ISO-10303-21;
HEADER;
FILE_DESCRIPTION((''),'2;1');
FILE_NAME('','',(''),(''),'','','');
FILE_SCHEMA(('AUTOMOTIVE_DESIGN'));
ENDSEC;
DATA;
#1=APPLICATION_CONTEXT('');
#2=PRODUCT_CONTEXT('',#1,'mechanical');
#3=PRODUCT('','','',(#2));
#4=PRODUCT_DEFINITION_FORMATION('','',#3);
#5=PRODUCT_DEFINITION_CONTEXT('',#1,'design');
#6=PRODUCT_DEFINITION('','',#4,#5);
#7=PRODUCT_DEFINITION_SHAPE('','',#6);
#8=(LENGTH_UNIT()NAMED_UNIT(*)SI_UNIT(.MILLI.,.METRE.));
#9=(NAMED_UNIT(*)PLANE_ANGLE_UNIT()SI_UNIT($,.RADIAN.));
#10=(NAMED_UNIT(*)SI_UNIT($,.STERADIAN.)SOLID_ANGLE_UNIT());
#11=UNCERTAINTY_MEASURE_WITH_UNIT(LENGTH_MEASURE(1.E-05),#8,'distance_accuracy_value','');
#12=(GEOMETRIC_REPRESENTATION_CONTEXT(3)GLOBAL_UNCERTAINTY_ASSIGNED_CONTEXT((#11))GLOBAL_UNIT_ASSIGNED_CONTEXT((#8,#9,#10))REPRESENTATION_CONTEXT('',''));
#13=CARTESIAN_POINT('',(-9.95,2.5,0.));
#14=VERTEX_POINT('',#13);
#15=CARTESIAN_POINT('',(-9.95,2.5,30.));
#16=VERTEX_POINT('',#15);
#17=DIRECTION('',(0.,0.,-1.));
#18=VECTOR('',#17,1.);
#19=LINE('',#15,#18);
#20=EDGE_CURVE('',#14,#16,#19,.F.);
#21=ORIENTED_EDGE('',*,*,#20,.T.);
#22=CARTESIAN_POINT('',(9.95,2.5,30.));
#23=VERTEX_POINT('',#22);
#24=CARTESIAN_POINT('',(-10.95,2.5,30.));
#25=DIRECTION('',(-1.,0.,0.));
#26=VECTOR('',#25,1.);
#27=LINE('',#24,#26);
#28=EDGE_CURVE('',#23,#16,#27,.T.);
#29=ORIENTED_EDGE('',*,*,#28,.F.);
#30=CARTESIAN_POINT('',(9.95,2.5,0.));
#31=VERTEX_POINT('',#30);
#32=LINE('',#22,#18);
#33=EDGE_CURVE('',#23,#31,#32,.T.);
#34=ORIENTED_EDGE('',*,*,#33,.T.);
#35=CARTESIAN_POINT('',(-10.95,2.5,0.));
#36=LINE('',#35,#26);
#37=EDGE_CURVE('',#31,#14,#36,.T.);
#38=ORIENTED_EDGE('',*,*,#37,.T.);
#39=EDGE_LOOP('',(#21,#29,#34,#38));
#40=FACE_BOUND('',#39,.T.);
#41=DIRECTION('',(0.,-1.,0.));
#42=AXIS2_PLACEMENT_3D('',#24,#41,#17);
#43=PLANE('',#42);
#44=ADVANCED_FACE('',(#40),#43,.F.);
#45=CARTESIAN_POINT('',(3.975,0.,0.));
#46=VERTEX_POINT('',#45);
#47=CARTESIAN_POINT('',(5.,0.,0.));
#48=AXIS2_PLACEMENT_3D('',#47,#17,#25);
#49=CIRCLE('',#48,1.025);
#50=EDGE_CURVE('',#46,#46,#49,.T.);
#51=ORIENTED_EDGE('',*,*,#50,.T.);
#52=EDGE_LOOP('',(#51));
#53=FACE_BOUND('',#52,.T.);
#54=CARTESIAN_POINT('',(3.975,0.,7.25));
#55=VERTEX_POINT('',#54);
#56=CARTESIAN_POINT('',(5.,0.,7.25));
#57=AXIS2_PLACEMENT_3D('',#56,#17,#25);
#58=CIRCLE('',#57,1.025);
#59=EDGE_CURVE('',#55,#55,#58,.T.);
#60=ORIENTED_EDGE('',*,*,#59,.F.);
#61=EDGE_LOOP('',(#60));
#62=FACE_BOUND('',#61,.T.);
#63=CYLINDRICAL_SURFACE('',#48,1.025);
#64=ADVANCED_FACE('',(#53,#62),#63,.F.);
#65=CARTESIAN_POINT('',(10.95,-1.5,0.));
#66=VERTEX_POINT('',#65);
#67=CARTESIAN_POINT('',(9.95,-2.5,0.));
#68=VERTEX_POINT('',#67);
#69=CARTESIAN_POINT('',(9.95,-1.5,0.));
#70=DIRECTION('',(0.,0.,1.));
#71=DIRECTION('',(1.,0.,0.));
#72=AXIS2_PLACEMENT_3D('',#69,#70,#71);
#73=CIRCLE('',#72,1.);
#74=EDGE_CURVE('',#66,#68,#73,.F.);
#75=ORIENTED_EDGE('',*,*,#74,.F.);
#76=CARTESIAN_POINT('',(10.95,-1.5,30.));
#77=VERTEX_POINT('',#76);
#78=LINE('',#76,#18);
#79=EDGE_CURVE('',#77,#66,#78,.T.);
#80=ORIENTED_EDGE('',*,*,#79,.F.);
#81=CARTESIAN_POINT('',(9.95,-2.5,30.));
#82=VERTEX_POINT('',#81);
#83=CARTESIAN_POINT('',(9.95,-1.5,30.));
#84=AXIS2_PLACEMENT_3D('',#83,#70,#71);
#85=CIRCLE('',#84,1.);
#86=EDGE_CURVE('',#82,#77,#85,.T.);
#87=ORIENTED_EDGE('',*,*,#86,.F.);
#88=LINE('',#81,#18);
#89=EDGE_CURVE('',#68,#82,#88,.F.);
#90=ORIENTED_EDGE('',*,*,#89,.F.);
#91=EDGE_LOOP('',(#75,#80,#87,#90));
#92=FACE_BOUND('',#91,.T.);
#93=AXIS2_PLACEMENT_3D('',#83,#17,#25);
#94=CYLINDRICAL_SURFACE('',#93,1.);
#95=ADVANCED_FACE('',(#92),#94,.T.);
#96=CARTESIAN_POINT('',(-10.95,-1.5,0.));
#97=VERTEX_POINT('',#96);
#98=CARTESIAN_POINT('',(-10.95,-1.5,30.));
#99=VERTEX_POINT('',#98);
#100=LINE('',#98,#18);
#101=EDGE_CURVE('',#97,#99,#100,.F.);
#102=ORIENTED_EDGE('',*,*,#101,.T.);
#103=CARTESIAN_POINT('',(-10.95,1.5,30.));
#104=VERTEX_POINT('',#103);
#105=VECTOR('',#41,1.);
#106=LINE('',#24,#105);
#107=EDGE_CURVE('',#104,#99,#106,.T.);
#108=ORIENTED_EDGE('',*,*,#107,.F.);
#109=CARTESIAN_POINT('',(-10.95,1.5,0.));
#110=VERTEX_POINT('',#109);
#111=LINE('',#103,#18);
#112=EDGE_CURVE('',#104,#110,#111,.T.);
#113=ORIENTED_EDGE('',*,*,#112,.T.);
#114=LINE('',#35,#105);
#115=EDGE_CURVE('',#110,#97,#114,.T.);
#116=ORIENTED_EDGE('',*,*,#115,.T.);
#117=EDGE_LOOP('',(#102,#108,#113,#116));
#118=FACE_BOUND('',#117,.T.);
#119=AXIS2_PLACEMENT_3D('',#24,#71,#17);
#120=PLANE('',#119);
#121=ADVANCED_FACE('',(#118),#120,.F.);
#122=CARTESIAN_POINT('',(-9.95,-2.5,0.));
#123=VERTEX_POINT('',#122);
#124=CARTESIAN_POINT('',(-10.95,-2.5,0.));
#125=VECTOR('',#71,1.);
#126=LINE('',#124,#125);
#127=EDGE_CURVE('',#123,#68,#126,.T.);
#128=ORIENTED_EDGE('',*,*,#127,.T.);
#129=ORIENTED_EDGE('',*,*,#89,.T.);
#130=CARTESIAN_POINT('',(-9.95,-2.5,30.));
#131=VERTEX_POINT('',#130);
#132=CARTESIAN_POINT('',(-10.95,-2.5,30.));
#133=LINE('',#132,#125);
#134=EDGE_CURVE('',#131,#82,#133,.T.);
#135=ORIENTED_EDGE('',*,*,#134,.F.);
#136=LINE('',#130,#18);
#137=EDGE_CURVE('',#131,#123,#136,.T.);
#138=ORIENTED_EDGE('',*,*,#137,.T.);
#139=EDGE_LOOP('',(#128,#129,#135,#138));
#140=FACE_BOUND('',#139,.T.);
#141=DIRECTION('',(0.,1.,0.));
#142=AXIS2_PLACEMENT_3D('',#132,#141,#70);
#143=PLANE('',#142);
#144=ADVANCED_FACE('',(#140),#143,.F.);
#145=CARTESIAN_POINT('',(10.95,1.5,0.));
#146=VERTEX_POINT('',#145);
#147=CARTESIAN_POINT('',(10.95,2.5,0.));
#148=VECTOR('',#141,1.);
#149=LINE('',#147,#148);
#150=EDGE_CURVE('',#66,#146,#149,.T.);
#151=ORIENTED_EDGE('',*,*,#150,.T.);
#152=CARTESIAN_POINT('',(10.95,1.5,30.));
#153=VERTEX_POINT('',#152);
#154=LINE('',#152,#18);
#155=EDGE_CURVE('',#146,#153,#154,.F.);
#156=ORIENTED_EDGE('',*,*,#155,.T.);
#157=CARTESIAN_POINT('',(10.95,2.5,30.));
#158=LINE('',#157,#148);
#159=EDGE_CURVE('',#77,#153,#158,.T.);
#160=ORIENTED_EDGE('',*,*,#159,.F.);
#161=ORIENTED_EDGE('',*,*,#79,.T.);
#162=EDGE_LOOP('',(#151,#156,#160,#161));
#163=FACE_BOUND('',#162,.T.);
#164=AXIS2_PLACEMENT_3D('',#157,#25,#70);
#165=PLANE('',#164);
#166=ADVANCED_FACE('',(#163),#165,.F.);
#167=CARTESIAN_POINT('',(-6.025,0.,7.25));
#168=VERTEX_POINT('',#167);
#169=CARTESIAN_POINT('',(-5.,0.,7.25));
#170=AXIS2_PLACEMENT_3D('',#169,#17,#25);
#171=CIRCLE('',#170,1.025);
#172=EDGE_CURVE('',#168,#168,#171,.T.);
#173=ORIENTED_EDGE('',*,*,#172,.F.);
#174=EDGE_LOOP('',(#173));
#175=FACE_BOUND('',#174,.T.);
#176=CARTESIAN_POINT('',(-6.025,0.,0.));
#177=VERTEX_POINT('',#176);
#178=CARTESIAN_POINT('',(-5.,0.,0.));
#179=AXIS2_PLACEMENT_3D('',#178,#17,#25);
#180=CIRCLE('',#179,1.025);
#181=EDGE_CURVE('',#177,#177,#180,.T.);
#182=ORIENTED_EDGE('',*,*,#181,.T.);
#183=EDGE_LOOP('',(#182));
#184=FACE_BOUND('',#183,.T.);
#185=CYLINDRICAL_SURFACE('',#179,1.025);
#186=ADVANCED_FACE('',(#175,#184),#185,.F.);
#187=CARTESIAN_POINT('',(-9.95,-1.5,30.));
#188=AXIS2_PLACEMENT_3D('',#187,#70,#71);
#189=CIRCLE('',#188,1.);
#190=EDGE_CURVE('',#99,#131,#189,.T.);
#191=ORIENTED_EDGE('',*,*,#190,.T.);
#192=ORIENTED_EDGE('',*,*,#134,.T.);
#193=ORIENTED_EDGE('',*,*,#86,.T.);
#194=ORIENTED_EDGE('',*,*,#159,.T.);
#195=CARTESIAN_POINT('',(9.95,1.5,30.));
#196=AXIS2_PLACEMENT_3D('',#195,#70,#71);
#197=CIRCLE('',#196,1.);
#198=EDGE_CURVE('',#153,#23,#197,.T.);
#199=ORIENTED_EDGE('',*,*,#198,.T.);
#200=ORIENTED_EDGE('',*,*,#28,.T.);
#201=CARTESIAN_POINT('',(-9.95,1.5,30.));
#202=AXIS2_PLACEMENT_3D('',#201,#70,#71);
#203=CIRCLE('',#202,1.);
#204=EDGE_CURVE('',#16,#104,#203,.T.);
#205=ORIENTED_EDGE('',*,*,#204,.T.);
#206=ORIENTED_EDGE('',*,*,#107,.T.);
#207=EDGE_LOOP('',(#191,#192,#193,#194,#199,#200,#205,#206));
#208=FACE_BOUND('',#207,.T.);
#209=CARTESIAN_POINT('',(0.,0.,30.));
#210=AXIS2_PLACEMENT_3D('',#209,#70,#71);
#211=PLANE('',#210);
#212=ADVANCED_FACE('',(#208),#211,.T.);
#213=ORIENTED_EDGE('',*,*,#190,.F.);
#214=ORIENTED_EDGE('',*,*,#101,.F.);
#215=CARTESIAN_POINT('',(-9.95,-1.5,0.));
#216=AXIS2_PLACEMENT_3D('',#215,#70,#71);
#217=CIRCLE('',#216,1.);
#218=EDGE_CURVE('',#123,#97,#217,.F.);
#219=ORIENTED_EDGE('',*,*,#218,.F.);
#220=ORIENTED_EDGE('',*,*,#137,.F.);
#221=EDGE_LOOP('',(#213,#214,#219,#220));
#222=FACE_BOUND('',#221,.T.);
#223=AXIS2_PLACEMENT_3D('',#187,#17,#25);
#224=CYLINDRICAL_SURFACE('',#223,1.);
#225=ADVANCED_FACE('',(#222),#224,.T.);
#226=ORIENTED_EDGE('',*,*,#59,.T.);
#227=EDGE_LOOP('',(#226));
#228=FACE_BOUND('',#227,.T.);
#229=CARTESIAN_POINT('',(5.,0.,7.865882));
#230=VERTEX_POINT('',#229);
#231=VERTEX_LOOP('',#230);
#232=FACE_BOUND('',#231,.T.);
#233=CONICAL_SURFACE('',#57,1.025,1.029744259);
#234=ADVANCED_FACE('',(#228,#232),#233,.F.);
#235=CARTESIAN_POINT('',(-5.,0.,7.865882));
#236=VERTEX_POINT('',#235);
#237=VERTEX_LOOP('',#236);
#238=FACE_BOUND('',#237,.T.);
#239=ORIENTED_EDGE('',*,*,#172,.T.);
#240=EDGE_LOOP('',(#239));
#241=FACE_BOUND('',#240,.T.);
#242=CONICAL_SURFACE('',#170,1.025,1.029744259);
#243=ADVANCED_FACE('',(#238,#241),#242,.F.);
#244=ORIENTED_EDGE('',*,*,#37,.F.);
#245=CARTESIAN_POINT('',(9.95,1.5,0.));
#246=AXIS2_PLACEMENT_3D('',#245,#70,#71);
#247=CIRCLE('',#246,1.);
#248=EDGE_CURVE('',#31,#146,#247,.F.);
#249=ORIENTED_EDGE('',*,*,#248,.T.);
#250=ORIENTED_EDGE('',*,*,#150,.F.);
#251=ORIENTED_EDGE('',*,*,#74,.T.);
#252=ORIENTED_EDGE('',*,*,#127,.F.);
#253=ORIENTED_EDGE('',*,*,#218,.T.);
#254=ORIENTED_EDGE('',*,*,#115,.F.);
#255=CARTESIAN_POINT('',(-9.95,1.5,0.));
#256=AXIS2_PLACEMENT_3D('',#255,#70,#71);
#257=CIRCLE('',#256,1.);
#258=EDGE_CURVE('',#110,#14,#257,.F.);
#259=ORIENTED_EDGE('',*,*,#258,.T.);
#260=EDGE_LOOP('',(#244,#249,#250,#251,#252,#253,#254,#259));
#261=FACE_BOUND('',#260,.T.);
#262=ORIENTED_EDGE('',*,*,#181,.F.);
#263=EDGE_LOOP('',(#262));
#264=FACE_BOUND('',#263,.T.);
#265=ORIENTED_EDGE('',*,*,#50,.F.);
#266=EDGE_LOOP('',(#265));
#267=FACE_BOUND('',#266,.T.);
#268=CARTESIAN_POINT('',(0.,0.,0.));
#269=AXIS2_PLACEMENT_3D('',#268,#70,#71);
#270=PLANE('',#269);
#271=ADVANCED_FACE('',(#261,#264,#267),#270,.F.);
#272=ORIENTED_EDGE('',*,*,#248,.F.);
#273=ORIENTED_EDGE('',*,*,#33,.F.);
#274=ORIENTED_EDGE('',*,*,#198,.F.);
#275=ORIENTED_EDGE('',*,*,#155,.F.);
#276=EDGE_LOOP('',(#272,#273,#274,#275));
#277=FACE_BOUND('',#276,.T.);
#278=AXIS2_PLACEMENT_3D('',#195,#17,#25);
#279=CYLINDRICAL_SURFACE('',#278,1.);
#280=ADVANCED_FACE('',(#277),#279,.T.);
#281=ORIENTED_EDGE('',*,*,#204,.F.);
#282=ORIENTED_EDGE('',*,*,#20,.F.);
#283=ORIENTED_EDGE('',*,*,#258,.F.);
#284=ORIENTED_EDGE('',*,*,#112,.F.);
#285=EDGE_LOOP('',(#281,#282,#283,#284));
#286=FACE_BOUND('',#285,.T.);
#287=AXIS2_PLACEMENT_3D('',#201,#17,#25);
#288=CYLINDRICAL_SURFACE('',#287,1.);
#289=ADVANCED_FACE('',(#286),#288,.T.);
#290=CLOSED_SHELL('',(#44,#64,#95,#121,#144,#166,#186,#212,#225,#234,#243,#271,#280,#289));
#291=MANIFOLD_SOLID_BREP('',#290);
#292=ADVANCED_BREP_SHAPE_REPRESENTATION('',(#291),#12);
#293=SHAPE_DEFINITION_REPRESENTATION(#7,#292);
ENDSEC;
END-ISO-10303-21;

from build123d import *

# Parameters (mm, degrees)
SKETCH_1_W               = 21.9
SKETCH_1_H               = 5
EXTRUDE_1_DEPTH          = 30
FILLET_2_R               = 1
HOLE_WIZARD_M2_5_1_D     = 2.05
HOLE_WIZARD_M2_5_1_DEPTH = 7.25
HOLE_WIZARD_M2_5_1_TIP   = 0.615882135


with BuildPart() as part:
    # 草图1 → 凸台-拉伸1 (new body)
    with BuildSketch(Plane.XY):
        Rectangle(SKETCH_1_W, SKETCH_1_H)
    extrude(amount=EXTRUDE_1_DEPTH)

    # 圆角2
    fillet_2_edges = [part.edges().sort_by_distance(p)[0] for p in [
        (10.95, -2.5, 15),
        (-10.95, -2.5, 15),
        (-10.95, 2.5, 15),
        (10.95, 2.5, 15),
    ]]
    fillet(fillet_2_edges, radius=FILLET_2_R)

    # M2.5 螺纹孔1
    with Locations(Plane(origin=(0, 0, 0), x_dir=(-1, 0, 0), z_dir=(0, 0, -1))):
        with Locations((-5, 0), (5, 0)):
            Hole(HOLE_WIZARD_M2_5_1_D / 2, depth=HOLE_WIZARD_M2_5_1_DEPTH)
            with Locations((0, 0, -(HOLE_WIZARD_M2_5_1_DEPTH + HOLE_WIZARD_M2_5_1_TIP / 2))):  # 118° drill point
                Cone(0, HOLE_WIZARD_M2_5_1_D / 2, HOLE_WIZARD_M2_5_1_TIP, mode=Mode.SUBTRACT)


solid = part.part
